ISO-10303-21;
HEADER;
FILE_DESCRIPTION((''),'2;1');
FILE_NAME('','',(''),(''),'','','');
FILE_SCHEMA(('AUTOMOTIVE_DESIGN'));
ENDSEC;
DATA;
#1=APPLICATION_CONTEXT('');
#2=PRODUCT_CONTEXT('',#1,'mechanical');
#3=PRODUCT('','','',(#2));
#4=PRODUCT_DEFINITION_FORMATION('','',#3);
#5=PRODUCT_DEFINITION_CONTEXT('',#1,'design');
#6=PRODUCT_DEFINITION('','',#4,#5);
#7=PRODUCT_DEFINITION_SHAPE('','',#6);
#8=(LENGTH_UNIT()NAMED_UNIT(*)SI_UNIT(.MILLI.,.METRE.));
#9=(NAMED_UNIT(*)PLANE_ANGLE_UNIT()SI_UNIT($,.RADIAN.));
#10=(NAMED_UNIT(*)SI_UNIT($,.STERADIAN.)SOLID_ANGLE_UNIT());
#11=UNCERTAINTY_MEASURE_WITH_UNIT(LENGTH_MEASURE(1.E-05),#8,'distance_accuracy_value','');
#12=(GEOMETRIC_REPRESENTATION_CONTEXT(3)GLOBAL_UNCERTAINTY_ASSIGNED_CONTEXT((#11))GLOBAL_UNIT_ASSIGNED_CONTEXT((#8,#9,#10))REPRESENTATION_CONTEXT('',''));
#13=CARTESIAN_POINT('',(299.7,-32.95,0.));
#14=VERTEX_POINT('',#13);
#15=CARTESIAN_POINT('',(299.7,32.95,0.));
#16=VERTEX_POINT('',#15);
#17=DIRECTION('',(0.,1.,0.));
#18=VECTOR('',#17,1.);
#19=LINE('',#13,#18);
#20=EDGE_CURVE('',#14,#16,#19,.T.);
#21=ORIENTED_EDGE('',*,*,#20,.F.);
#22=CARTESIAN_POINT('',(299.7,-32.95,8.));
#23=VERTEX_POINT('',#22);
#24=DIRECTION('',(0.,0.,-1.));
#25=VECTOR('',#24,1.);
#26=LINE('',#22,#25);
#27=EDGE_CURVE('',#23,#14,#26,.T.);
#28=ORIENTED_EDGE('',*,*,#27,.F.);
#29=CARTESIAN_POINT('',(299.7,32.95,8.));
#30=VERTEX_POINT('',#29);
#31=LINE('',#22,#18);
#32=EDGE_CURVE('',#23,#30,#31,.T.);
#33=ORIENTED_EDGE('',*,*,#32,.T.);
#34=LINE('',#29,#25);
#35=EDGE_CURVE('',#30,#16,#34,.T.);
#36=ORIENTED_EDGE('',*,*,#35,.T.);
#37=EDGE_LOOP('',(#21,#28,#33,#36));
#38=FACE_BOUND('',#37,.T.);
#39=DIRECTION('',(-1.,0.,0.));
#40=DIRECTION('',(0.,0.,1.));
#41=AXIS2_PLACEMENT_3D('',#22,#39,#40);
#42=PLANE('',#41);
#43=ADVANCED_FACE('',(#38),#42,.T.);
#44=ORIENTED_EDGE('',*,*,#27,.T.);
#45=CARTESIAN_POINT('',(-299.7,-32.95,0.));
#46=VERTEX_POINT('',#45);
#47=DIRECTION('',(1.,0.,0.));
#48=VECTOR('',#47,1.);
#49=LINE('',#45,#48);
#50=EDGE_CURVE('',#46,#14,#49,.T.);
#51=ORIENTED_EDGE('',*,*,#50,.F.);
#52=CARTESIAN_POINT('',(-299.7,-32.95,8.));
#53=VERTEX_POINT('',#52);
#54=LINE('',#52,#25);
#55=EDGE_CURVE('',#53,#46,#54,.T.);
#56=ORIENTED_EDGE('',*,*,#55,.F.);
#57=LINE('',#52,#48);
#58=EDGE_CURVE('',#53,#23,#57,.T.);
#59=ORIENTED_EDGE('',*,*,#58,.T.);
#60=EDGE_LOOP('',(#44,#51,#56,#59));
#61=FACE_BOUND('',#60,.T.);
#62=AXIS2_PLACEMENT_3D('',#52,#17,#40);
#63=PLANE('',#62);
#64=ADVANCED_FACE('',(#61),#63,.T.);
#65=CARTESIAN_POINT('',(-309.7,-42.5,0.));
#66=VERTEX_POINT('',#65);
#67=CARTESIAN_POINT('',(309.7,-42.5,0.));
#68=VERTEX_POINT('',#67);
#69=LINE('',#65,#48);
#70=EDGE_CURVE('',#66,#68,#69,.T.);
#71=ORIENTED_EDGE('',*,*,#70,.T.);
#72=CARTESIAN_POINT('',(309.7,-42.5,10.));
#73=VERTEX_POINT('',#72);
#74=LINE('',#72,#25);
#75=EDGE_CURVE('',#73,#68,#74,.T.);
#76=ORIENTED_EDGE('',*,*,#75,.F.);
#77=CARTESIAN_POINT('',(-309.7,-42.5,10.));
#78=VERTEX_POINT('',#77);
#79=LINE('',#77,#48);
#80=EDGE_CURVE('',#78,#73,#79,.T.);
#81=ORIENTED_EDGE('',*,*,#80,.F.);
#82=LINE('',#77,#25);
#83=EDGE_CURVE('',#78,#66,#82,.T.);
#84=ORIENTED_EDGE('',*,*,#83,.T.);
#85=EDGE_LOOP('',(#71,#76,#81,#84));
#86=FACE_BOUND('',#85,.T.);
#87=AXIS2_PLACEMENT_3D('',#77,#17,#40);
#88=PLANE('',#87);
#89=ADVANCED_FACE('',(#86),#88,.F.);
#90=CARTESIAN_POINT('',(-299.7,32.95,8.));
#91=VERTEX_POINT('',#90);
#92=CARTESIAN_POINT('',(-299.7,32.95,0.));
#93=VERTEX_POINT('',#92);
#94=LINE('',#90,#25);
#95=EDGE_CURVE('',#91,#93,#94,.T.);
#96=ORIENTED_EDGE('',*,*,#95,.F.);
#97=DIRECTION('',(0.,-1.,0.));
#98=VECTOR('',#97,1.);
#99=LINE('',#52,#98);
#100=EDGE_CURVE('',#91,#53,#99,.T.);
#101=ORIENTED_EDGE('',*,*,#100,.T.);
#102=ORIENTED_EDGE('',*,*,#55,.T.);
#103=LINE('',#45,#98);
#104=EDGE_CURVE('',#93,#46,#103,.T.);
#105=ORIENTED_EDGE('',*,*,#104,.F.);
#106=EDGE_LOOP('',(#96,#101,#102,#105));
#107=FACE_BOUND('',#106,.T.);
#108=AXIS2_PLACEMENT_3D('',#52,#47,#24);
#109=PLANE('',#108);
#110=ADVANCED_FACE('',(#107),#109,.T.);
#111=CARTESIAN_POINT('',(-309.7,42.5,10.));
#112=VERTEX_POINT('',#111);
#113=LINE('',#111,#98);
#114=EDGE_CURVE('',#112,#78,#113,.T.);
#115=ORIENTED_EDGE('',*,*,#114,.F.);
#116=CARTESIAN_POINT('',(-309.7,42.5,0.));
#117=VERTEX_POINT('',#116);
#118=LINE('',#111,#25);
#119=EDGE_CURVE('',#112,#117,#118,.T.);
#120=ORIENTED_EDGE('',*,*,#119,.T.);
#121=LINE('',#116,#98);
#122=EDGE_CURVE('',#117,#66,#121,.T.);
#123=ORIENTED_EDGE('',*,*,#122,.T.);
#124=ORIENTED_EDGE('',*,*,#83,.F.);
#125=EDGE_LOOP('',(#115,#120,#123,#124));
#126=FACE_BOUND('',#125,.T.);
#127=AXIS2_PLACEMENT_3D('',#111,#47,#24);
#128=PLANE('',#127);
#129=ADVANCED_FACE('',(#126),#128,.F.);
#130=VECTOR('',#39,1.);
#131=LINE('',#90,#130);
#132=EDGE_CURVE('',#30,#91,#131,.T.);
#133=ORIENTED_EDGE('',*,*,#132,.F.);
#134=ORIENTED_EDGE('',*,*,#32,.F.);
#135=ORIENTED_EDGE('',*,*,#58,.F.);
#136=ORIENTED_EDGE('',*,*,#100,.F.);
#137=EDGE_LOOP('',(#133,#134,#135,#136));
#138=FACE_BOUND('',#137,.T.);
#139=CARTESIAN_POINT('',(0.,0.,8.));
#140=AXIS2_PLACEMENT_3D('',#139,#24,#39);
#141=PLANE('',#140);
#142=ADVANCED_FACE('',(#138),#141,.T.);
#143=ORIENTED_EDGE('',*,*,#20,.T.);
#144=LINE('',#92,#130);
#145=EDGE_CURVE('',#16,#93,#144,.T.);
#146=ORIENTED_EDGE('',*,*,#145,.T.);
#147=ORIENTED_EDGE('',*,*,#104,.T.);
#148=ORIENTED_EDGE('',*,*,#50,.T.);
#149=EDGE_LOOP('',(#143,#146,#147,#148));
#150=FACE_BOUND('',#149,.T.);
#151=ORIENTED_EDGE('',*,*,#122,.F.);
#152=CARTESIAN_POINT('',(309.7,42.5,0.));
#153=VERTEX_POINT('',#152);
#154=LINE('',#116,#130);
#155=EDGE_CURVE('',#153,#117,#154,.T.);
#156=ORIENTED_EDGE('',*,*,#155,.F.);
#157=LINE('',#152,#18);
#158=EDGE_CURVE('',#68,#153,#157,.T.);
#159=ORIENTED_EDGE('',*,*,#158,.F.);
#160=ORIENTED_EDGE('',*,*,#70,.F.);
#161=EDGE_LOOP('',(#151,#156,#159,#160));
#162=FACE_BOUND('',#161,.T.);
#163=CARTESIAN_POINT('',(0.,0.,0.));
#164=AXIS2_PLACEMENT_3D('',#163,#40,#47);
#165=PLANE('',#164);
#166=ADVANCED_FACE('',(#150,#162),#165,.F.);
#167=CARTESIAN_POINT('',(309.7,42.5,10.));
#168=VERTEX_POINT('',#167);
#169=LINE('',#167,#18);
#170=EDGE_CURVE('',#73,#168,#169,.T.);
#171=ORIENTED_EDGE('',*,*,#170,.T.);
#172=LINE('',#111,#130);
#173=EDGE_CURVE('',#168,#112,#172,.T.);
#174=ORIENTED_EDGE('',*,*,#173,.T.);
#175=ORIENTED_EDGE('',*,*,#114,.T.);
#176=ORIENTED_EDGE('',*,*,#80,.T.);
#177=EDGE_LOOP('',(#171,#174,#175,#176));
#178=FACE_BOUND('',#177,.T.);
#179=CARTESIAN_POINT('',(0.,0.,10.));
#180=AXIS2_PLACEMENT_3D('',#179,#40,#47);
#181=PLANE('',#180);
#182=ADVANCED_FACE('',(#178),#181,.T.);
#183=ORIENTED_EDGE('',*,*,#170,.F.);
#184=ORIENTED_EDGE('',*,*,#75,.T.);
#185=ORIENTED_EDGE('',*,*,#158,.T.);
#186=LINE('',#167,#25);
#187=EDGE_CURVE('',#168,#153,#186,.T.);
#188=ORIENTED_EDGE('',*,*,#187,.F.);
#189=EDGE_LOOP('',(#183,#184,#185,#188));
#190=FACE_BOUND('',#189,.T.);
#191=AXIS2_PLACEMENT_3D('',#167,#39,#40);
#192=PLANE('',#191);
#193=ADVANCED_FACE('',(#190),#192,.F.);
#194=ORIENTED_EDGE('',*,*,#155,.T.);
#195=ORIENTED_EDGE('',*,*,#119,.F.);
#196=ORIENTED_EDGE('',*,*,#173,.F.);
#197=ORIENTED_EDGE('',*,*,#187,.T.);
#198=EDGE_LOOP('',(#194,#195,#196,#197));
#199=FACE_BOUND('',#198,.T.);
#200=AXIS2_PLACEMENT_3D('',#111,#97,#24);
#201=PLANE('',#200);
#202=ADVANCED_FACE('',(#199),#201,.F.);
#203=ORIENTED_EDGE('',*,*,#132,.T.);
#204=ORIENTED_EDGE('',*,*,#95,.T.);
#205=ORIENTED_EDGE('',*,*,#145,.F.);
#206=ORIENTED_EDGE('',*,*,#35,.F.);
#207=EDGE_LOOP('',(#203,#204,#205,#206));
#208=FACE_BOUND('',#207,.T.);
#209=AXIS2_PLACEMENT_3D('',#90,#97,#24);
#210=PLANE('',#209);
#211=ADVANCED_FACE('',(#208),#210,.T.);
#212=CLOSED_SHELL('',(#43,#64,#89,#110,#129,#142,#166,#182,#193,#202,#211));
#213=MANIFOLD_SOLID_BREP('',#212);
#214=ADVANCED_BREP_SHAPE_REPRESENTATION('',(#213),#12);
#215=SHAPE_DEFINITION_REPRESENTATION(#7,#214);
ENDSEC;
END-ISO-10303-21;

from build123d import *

# Parameters (mm, degrees)
SKETCH1_W           = 619.4
SKETCH1_H           = 85
BOSS_EXTRUDE1_DEPTH = 10
SKETCH2_W           = 599.4
SKETCH2_H           = 65.9
CUT_EXTRUDE1_DEPTH  = 8


with BuildPart() as part:
    # Sketch1 → Boss-Extrude1 (new body)
    with BuildSketch(Plane.XY):
        Rectangle(SKETCH1_W, SKETCH1_H)
    extrude(amount=BOSS_EXTRUDE1_DEPTH)

    # Sketch2 → Cut-Extrude1 (cut)
    with BuildSketch(Plane.XY):
        Rectangle(SKETCH2_W, SKETCH2_H)
    extrude(amount=CUT_EXTRUDE1_DEPTH, mode=Mode.SUBTRACT)


solid = part.part
